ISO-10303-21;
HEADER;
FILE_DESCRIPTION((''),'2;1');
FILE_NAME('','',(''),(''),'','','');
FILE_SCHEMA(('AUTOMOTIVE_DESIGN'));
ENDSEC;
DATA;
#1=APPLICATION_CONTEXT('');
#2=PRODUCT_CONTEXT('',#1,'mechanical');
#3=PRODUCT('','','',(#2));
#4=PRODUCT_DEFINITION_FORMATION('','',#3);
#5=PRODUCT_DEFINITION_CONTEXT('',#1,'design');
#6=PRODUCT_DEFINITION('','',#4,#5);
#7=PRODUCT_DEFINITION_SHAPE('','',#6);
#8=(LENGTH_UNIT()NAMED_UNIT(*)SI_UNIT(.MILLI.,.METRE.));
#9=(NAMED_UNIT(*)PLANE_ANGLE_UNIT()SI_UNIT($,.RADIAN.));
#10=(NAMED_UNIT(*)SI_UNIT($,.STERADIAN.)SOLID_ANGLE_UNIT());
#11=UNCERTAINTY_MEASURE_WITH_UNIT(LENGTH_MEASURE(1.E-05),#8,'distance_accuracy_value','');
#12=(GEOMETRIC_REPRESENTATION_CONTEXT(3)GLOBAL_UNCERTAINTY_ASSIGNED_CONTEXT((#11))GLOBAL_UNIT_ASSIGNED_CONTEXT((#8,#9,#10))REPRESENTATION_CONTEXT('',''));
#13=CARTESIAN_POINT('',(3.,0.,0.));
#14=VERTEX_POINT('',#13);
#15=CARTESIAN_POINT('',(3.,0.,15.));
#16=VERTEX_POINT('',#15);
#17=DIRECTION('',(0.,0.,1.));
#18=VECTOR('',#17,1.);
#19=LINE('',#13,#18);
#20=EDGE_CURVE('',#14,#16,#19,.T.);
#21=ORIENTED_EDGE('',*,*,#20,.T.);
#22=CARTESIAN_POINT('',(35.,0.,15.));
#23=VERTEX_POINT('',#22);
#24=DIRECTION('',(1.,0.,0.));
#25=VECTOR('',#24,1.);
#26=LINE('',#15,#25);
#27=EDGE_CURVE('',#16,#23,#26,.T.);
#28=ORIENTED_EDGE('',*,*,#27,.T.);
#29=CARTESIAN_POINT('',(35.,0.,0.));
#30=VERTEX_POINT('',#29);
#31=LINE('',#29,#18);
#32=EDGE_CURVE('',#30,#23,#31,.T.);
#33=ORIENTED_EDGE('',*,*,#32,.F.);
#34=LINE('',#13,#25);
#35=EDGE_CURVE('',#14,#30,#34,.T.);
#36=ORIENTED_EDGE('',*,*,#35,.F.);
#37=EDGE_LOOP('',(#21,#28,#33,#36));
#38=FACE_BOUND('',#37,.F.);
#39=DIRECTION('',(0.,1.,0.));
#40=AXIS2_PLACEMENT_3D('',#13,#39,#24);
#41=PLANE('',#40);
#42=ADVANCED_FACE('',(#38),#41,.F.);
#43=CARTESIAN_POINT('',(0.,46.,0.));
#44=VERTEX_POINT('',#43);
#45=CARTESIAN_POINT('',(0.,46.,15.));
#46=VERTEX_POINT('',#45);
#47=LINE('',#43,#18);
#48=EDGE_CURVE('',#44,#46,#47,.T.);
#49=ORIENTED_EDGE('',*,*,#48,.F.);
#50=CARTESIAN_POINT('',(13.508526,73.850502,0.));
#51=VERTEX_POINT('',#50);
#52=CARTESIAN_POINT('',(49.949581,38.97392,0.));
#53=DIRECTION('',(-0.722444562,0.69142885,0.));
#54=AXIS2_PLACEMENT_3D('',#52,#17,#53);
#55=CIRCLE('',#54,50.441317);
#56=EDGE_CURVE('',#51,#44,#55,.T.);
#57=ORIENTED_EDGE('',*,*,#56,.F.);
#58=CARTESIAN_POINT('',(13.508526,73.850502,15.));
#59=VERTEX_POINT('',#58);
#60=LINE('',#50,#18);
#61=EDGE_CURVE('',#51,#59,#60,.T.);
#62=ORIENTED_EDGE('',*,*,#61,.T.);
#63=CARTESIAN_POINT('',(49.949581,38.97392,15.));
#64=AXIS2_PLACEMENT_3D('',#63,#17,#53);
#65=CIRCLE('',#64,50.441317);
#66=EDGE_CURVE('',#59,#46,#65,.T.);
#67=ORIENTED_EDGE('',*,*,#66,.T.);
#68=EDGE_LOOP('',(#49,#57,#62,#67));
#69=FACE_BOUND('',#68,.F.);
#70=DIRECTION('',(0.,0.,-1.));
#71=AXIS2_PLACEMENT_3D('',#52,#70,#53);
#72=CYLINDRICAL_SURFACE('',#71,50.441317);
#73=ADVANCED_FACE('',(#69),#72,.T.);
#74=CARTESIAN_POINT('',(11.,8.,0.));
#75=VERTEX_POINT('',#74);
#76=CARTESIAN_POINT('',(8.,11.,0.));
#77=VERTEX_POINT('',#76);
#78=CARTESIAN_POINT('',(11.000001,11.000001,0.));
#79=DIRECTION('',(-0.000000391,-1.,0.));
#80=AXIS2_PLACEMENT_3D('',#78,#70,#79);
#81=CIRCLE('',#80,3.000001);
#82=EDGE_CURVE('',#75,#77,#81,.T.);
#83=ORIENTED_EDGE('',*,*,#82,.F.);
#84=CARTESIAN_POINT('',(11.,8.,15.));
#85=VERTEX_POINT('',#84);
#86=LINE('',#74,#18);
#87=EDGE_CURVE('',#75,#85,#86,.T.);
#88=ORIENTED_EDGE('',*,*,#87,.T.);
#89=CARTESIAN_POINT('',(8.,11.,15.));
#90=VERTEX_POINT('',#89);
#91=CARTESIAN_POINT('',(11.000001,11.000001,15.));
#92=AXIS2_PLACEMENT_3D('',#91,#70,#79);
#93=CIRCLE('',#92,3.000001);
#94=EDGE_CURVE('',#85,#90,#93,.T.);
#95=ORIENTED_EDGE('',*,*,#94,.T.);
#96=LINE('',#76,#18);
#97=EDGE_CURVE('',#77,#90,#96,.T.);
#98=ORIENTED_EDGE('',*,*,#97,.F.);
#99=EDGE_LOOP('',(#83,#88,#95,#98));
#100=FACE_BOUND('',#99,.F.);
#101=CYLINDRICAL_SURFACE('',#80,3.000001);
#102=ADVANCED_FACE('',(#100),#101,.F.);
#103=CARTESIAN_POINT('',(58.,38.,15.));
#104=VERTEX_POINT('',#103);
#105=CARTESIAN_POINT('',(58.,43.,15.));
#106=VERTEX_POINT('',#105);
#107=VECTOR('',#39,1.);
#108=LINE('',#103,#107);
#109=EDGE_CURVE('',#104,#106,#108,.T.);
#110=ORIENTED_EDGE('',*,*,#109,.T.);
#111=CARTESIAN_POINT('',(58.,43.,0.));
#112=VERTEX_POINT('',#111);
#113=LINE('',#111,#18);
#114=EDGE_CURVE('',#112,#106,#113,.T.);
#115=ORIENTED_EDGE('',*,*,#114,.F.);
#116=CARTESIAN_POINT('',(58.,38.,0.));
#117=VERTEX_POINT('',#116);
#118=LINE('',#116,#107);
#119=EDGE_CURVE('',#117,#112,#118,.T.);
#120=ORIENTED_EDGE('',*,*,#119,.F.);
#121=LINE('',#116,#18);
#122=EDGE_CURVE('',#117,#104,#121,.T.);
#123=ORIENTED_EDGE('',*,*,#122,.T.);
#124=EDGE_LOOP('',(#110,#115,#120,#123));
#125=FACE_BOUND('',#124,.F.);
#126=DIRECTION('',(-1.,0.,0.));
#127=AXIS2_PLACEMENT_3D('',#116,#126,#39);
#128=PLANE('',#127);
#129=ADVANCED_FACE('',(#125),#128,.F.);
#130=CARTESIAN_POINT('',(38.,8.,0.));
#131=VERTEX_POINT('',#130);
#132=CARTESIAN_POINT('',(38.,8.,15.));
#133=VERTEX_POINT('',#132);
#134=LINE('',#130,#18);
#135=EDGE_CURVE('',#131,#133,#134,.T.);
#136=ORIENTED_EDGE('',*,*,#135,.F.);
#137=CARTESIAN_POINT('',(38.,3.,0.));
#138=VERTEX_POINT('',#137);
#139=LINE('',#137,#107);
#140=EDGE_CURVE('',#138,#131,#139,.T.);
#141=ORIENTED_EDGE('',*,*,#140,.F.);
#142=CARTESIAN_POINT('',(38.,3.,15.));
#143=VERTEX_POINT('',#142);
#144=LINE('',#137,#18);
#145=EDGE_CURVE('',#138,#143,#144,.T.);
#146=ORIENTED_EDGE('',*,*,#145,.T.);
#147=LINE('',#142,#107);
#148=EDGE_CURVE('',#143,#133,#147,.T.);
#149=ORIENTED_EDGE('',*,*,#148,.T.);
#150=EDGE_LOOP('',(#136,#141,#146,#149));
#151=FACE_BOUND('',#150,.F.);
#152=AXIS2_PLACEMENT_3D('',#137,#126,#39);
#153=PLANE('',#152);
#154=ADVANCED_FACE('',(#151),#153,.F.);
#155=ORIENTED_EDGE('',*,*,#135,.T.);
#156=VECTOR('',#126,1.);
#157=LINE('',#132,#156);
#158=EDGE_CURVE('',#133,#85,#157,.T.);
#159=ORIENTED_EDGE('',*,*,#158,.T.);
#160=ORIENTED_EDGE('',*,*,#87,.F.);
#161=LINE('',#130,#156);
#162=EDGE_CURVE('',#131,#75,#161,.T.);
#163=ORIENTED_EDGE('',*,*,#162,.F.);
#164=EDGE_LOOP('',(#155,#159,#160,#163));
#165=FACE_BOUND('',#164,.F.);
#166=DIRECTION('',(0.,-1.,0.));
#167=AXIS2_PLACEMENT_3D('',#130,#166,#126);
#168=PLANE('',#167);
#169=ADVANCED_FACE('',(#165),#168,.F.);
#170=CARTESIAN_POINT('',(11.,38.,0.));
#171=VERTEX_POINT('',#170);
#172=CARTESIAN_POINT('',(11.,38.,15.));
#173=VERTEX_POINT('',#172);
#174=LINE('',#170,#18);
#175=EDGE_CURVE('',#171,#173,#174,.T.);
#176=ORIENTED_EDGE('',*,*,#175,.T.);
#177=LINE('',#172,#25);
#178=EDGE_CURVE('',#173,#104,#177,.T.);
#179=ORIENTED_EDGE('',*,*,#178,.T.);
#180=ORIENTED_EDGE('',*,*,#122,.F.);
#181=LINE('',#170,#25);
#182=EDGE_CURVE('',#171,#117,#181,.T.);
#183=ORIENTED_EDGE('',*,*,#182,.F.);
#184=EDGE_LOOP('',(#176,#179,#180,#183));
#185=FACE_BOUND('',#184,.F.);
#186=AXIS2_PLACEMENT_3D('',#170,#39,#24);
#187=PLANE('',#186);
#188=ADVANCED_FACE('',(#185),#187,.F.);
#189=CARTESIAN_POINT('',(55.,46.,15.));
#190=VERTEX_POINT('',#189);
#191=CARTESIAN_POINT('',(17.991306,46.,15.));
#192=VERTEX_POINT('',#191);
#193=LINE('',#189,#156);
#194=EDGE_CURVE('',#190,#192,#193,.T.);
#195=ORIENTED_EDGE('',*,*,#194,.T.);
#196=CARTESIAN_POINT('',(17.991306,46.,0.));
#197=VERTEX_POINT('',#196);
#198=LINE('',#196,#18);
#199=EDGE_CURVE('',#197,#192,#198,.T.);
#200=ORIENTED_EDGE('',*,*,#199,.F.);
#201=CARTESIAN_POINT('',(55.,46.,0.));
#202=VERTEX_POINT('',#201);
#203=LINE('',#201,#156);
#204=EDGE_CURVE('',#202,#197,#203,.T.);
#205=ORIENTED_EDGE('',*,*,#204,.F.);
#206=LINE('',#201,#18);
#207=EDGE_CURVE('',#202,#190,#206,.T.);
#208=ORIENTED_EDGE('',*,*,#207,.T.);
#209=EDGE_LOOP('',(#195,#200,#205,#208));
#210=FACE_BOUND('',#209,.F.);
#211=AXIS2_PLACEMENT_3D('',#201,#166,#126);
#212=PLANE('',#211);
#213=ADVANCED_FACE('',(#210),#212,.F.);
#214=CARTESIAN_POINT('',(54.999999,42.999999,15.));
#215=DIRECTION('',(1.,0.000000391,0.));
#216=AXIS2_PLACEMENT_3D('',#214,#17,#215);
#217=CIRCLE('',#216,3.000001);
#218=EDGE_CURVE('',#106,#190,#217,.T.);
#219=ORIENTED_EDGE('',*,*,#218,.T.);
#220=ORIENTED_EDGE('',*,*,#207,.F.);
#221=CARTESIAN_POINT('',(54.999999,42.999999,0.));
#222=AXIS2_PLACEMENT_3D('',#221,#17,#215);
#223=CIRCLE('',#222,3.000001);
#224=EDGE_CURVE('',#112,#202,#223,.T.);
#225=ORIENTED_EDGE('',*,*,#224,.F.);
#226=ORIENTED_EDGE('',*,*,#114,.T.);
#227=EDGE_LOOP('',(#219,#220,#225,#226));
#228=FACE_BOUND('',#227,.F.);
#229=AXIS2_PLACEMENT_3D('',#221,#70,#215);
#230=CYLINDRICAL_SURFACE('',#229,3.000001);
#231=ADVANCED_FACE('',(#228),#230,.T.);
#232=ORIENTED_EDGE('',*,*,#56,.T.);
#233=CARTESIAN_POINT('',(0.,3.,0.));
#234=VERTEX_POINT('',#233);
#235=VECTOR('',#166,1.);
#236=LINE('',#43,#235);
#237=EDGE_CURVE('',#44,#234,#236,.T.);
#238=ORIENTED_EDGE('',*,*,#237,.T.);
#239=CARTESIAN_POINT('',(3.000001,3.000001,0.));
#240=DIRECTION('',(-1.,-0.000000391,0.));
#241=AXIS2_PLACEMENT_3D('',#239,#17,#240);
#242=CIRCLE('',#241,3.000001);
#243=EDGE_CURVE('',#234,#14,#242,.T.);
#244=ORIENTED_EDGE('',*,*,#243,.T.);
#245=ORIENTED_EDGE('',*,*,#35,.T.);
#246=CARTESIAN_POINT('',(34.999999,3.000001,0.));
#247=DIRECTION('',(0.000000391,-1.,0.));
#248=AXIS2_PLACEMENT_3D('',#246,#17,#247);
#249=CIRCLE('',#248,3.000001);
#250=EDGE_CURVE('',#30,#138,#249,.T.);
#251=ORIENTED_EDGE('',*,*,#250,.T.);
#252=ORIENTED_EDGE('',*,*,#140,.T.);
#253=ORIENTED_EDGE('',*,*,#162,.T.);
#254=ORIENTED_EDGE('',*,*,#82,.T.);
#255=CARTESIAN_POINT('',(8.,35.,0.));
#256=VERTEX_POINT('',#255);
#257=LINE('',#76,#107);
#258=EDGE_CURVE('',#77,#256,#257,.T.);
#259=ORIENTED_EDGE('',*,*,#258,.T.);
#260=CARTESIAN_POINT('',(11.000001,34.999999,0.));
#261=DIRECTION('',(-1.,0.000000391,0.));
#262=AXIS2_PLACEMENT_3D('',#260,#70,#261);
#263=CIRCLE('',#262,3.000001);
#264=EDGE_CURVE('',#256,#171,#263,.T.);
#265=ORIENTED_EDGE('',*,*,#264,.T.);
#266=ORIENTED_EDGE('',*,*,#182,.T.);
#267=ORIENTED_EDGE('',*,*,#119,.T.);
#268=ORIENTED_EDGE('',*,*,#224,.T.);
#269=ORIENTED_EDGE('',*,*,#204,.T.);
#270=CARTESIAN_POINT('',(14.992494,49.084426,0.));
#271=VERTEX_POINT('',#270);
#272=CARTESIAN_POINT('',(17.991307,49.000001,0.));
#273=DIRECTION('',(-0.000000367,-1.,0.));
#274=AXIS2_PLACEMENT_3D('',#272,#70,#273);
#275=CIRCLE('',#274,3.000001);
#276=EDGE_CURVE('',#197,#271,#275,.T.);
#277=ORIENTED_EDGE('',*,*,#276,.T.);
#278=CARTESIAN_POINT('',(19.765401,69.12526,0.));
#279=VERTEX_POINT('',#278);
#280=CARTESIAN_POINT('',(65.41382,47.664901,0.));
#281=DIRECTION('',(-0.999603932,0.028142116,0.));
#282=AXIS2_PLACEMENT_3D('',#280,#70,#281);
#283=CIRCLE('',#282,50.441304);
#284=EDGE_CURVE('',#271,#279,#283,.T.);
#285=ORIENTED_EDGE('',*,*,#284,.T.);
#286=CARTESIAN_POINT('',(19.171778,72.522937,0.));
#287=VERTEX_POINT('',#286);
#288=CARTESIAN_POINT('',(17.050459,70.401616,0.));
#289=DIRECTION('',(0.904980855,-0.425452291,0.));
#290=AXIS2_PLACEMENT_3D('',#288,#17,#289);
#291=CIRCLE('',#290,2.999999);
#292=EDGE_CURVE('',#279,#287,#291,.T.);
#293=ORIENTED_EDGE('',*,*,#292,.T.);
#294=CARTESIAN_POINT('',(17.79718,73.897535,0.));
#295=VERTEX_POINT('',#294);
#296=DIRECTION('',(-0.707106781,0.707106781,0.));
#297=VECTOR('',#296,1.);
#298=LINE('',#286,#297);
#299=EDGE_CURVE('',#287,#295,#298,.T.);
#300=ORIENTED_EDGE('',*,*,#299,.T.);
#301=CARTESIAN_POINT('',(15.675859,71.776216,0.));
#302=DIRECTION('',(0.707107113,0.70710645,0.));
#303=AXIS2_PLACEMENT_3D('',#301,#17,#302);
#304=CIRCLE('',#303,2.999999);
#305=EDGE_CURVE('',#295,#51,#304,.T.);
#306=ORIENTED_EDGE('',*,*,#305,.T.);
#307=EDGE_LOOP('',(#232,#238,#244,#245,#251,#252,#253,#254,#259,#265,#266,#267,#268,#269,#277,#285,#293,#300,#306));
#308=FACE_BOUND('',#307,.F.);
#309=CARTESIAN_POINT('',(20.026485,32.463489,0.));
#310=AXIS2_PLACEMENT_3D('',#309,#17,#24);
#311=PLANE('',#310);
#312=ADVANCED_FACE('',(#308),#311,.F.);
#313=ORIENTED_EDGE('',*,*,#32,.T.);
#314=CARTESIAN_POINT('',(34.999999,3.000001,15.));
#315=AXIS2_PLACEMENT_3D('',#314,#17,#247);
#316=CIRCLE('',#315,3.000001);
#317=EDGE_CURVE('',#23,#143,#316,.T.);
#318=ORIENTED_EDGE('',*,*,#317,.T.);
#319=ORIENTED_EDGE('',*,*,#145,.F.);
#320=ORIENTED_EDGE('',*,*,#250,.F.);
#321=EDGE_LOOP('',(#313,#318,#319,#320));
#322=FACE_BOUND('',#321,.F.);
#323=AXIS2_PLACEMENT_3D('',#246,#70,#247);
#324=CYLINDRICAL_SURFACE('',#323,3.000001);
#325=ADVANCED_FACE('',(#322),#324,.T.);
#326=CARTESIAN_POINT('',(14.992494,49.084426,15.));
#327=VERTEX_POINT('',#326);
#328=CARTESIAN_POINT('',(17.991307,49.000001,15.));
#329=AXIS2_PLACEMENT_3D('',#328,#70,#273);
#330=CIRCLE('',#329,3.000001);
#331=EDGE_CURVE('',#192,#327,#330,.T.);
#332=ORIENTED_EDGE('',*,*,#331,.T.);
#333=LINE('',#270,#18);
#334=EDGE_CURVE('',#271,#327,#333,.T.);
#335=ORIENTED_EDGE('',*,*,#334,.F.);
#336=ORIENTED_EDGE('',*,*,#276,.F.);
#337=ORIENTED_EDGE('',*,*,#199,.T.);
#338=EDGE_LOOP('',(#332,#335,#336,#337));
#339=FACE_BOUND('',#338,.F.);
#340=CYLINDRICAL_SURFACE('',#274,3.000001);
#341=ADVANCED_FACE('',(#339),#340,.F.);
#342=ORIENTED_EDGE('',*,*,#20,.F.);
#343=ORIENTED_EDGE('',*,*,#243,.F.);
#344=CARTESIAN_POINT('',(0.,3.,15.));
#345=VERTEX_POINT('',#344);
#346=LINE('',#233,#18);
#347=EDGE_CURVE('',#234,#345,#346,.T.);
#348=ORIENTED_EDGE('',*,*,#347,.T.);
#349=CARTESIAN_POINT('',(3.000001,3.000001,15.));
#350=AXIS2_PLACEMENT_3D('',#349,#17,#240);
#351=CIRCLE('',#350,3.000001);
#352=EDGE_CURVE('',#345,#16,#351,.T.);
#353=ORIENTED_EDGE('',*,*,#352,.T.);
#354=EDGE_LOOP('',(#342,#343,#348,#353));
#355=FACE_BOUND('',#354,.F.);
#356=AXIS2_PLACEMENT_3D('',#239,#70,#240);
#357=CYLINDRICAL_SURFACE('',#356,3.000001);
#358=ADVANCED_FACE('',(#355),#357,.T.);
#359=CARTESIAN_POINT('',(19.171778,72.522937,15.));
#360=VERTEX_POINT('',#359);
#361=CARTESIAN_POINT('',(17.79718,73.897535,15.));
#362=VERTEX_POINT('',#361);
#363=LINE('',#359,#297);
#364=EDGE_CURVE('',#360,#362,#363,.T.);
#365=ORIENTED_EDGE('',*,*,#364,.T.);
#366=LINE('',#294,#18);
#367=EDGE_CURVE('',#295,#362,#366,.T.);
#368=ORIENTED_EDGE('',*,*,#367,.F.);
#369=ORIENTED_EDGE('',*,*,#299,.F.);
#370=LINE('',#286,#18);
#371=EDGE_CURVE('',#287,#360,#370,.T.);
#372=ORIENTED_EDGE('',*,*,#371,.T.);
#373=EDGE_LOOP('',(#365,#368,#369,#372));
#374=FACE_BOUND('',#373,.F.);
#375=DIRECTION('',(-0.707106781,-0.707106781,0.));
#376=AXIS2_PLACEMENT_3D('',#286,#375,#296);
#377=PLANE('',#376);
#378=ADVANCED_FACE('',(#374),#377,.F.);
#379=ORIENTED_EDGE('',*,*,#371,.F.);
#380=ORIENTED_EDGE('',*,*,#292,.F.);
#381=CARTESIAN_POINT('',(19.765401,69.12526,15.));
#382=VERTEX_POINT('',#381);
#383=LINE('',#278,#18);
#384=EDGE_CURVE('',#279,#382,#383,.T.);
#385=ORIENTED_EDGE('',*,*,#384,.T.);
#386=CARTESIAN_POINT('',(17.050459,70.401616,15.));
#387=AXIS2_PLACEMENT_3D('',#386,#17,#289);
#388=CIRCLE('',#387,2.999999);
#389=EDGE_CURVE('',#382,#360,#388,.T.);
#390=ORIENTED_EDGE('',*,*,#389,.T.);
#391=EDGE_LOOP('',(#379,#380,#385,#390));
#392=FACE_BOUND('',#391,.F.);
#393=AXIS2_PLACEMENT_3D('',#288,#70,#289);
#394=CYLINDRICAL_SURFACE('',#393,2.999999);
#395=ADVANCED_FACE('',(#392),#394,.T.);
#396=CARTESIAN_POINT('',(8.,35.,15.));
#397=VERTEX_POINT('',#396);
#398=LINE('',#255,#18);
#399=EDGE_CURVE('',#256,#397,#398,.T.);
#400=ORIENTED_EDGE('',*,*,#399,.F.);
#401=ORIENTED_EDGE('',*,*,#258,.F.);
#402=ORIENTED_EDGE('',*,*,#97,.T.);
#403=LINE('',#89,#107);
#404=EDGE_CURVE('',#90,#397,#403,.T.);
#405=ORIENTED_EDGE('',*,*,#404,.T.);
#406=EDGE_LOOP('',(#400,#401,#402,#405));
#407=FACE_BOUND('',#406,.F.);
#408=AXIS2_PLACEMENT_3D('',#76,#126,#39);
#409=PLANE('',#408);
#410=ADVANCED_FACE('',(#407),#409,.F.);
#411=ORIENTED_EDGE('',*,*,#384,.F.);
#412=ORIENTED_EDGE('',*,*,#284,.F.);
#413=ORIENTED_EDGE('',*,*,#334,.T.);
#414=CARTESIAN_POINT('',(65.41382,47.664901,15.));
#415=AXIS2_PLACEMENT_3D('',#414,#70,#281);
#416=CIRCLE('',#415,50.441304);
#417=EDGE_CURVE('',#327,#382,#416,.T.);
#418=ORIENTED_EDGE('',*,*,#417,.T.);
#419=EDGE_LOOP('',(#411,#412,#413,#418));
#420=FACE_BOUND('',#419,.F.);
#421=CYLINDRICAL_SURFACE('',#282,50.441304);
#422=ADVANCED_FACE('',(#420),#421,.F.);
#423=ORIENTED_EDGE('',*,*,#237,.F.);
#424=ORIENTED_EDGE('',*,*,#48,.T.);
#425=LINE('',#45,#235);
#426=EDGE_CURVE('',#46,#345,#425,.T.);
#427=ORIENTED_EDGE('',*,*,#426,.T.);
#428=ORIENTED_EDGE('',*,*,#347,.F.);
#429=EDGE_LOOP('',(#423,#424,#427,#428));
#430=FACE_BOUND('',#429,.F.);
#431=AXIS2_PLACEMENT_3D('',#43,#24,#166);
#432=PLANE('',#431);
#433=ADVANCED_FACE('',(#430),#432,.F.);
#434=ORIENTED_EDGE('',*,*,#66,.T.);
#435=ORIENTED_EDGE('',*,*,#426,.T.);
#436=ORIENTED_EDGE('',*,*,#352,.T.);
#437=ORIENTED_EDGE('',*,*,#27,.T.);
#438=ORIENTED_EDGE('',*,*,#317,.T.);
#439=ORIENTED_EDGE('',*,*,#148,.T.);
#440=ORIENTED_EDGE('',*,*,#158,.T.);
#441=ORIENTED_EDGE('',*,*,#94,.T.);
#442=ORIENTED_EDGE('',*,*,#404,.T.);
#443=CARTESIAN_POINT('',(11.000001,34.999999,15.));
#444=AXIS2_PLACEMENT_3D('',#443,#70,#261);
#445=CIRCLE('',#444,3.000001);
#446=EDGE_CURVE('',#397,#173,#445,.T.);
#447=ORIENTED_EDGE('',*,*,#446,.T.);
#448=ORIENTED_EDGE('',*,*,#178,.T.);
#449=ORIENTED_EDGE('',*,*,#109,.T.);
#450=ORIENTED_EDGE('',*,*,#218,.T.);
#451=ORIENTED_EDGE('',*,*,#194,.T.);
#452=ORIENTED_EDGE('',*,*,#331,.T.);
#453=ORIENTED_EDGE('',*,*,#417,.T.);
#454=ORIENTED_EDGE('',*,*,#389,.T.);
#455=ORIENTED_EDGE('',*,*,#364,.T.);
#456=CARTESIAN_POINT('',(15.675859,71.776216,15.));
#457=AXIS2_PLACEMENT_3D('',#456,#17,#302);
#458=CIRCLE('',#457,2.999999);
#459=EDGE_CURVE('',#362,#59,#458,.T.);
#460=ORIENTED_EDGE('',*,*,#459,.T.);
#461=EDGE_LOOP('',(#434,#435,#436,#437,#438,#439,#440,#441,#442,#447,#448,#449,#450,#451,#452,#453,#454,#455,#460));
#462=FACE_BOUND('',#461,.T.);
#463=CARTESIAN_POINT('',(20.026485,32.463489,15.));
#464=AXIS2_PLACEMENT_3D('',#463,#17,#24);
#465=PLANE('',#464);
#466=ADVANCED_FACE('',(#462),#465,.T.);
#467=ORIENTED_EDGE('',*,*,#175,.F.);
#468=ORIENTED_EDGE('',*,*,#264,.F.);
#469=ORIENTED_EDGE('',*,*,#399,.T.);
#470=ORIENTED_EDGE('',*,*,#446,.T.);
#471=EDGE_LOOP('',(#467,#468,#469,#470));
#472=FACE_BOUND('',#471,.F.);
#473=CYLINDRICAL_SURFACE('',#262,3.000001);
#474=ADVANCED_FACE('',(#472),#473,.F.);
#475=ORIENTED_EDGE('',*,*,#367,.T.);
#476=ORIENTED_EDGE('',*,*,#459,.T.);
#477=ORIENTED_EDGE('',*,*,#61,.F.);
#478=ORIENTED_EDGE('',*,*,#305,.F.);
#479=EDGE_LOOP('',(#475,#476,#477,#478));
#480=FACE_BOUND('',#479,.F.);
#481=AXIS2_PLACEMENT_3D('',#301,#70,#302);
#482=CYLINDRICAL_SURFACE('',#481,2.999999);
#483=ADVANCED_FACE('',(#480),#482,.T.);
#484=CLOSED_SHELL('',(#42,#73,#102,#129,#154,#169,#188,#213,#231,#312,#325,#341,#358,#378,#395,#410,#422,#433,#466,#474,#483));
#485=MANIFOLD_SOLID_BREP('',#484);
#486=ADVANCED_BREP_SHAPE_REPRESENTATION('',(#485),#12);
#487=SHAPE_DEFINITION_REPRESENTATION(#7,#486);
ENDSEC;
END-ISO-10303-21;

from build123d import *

# Parameters (mm, degrees)
F1_DEPTH = 15


with BuildPart() as f1:
    # F0 (on Top) → F1 (new body)
    with BuildSketch(Plane.XY):
        with BuildLine():
            ThreePointArc((0, 3), (0.87868, 0.87868), (3, 0))
            Line((3, 0), (35, 0))
            ThreePointArc((35, 0), (37.12132, 0.87868), (38, 3))
            Line((38, 3), (38, 8))
            Line((38, 8), (11, 8))
            ThreePointArc((11, 8), (8.87868, 8.87868), (8, 11))
            Line((8, 11), (8, 35))
            ThreePointArc((8, 35), (8.87868, 37.12132), (11, 38))
            Line((11, 38), (58, 38))
            Line((58, 38), (58, 43))
            ThreePointArc((58, 43), (57.12132, 45.12132), (55, 46))
            Line((55, 46), (17.991306, 46))
            ThreePointArc((17.991306, 46), (15.840344, 46.908742), (14.992494, 49.084426))
            ThreePointArc((14.992494, 49.084426), (16.344912, 59.351108), (19.765401, 69.12526))
            ThreePointArc((19.765401, 69.12526), (20.005693, 70.917938), (19.171778, 72.522937))
            Line((19.171778, 72.522937), (17.79718, 73.897535))
            ThreePointArc((17.79718, 73.897535), (15.64296, 74.776035), (13.508526, 73.850502))
            ThreePointArc((13.508526, 73.850502), (4.565133, 60.98706), (0, 46))
            Line((0, 46), (0, 3))
        make_face()
    extrude(amount=F1_DEPTH)


solid = f1.part
